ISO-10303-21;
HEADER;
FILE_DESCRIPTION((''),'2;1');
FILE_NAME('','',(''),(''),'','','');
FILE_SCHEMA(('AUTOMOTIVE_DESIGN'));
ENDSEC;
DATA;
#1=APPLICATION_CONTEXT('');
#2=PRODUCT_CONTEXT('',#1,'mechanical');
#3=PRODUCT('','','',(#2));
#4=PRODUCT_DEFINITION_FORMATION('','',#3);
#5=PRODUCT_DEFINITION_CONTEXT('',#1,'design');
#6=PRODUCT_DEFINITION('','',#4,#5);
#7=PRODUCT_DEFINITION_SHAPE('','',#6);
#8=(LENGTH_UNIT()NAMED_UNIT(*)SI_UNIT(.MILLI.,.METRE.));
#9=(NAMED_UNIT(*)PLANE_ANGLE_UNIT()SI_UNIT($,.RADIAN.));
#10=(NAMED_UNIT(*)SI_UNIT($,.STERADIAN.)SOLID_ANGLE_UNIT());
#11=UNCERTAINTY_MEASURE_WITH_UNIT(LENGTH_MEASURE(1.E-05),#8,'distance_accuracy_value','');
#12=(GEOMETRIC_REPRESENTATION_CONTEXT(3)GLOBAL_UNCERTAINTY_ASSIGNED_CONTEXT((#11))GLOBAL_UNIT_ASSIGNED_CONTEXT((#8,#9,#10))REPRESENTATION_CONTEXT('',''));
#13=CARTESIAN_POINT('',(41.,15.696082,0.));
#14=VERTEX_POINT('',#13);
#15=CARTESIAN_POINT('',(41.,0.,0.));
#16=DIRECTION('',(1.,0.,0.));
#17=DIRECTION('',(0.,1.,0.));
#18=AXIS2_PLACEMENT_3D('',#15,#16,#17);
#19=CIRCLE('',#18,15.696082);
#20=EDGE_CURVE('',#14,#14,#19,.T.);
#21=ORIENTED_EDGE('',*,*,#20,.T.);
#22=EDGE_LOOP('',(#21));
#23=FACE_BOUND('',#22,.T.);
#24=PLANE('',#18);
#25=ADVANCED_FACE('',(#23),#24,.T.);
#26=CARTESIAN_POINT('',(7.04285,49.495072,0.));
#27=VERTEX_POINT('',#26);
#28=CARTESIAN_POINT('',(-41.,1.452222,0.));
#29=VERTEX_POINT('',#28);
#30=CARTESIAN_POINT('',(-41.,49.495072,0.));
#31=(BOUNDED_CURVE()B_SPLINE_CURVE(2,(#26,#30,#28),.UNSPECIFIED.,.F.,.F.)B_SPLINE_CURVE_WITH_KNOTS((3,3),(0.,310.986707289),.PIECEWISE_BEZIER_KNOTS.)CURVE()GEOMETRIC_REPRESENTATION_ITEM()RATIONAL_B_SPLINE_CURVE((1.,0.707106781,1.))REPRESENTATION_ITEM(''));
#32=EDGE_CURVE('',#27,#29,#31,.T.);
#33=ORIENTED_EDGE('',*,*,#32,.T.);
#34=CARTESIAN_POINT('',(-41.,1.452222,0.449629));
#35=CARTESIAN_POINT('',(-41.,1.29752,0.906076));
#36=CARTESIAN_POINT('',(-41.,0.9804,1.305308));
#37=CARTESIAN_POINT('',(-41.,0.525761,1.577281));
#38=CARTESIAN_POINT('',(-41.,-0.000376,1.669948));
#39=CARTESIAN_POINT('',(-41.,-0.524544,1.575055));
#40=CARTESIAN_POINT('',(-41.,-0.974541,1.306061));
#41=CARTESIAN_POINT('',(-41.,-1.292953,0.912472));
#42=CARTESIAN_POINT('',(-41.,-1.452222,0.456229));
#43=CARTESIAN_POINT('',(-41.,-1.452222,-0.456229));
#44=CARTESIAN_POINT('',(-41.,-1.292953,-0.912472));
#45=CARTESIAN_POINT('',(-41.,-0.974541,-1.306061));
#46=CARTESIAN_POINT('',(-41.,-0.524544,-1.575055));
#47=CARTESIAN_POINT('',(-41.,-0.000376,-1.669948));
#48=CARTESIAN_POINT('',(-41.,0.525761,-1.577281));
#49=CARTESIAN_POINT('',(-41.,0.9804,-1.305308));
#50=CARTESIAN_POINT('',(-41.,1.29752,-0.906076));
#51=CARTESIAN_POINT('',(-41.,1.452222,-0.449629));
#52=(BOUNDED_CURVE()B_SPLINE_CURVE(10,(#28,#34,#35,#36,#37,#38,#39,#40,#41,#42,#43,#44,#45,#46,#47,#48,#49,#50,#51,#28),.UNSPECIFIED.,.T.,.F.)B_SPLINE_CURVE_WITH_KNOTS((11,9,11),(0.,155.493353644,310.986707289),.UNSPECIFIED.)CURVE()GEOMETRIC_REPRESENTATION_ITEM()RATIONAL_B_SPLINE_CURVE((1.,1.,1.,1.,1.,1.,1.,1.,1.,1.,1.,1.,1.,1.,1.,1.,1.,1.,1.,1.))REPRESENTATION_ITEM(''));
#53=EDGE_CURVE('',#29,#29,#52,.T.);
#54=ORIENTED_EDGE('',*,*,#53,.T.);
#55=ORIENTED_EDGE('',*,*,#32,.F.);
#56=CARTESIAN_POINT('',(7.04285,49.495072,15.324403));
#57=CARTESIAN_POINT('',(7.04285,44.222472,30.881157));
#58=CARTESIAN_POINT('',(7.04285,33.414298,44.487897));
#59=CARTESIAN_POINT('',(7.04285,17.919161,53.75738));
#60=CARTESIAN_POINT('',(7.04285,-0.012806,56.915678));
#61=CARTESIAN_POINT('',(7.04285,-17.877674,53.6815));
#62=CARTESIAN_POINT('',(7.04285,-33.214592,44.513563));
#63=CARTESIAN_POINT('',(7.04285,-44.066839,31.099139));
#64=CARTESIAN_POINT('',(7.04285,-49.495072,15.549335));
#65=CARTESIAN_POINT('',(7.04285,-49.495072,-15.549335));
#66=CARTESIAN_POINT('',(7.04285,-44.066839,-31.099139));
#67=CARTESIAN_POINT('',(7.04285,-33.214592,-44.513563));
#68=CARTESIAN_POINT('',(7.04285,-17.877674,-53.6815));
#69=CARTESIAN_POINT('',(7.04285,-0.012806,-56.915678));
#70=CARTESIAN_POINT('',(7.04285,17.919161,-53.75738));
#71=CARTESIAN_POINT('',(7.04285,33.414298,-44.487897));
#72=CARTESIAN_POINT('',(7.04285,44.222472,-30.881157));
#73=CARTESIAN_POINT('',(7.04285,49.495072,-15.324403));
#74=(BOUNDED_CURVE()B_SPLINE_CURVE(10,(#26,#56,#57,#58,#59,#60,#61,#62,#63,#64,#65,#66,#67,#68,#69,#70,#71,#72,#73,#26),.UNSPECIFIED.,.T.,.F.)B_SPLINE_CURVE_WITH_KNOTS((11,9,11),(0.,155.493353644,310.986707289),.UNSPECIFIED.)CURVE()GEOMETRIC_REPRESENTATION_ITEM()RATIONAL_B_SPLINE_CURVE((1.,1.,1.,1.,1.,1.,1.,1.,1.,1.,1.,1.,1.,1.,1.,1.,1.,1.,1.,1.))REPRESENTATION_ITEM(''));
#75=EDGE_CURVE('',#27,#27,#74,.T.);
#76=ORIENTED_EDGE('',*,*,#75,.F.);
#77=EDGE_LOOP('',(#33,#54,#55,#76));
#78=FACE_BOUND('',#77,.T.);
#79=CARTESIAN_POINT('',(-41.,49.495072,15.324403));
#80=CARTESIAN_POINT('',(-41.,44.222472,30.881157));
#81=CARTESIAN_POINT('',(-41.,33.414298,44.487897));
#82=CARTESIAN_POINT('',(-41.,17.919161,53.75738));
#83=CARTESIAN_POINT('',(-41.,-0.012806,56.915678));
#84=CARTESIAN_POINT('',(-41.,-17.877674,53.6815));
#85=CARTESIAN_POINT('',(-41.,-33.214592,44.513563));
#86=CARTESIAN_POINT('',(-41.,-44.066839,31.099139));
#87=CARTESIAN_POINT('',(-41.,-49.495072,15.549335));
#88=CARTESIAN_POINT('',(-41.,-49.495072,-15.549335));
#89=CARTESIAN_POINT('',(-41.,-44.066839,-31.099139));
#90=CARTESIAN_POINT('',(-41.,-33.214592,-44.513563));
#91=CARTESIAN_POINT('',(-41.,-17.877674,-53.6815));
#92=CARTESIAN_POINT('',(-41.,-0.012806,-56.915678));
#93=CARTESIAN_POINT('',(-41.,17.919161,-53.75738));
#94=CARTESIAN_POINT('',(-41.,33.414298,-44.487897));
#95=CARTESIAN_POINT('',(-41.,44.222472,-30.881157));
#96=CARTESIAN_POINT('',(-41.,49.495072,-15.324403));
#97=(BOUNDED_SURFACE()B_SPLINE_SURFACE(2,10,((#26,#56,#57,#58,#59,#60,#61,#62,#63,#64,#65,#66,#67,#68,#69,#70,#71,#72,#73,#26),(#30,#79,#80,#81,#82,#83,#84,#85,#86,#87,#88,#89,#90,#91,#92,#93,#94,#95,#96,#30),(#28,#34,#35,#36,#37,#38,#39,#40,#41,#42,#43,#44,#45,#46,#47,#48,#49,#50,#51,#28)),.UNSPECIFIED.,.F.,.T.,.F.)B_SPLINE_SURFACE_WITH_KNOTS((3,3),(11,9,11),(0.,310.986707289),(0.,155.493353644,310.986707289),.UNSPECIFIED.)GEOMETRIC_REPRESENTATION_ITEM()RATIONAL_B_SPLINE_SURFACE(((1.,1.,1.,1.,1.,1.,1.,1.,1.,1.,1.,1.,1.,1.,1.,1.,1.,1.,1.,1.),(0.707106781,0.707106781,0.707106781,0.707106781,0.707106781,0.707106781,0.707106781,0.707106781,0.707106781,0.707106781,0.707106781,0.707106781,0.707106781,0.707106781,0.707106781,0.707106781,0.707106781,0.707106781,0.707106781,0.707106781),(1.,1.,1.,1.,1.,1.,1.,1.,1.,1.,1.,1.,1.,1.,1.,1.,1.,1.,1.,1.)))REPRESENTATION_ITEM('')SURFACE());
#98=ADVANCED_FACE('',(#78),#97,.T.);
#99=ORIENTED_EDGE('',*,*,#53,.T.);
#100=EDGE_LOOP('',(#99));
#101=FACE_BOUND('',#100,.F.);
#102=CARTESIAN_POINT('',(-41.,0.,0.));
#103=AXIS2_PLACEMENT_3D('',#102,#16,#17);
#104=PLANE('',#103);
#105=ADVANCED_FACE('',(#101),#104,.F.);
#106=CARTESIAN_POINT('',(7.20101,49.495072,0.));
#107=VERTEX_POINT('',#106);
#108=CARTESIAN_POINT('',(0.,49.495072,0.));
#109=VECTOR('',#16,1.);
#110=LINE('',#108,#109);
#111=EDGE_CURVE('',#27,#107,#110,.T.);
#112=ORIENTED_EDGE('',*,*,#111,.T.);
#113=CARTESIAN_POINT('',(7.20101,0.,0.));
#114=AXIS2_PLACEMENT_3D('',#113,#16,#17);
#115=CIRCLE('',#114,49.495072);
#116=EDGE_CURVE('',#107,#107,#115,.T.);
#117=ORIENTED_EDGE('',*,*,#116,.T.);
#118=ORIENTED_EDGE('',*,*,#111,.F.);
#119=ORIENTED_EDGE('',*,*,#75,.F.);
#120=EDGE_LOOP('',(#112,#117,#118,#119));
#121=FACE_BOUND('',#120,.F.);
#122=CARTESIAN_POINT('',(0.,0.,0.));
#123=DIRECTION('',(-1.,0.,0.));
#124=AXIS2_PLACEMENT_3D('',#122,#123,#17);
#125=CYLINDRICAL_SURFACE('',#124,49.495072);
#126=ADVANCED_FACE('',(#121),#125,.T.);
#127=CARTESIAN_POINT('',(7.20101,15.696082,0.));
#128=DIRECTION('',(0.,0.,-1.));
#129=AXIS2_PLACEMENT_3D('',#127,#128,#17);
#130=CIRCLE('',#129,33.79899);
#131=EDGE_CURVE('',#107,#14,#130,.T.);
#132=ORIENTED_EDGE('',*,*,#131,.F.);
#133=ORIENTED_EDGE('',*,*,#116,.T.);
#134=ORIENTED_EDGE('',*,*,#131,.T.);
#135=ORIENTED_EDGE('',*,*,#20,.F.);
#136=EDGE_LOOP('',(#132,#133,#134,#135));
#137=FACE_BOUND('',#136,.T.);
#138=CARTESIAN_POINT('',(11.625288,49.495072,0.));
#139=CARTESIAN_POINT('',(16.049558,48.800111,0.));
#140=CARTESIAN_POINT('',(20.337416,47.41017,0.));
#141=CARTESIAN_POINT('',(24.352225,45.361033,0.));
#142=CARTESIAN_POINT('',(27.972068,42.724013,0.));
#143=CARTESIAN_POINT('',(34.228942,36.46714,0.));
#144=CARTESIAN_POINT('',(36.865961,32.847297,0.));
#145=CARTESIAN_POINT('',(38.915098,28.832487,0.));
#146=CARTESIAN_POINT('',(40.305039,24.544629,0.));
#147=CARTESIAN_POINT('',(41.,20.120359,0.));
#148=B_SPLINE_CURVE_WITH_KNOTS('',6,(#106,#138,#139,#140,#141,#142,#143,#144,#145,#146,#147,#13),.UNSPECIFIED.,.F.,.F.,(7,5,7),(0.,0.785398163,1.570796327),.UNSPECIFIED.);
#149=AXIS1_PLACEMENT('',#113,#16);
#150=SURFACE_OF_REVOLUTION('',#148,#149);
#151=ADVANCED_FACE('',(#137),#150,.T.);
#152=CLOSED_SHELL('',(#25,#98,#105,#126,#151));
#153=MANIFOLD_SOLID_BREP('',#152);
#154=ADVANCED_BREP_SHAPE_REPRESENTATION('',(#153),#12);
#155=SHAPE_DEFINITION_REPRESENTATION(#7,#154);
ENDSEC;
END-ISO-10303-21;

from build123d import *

# Parameters (mm, degrees)
F0_R          = 49.4950717009
F1_DEPTH      = 41
F1_DEPTH_BACK = 41
F2_R          = 48.0428498912
F3_R          = 33.7989898732


with BuildPart() as f1:
    # F0 (on Right) → F1 (new body, two sides)
    with BuildSketch(Plane.YZ) as f1_sk:
        Circle(F0_R)
    extrude(amount=-F1_DEPTH)
    extrude(f1_sk.sketch, amount=F1_DEPTH_BACK)

    # F2
    f2_edges = [f1.edges().sort_by_distance(p)[0] for p in [
        (-41, -49.495072, 0),
    ]]
    fillet(f2_edges, radius=F2_R)

    # F3
    f3_edges = [f1.edges().sort_by_distance(p)[0] for p in [
        (41, -49.495072, 0),
    ]]
    fillet(f3_edges, radius=F3_R)


solid = f1.part
